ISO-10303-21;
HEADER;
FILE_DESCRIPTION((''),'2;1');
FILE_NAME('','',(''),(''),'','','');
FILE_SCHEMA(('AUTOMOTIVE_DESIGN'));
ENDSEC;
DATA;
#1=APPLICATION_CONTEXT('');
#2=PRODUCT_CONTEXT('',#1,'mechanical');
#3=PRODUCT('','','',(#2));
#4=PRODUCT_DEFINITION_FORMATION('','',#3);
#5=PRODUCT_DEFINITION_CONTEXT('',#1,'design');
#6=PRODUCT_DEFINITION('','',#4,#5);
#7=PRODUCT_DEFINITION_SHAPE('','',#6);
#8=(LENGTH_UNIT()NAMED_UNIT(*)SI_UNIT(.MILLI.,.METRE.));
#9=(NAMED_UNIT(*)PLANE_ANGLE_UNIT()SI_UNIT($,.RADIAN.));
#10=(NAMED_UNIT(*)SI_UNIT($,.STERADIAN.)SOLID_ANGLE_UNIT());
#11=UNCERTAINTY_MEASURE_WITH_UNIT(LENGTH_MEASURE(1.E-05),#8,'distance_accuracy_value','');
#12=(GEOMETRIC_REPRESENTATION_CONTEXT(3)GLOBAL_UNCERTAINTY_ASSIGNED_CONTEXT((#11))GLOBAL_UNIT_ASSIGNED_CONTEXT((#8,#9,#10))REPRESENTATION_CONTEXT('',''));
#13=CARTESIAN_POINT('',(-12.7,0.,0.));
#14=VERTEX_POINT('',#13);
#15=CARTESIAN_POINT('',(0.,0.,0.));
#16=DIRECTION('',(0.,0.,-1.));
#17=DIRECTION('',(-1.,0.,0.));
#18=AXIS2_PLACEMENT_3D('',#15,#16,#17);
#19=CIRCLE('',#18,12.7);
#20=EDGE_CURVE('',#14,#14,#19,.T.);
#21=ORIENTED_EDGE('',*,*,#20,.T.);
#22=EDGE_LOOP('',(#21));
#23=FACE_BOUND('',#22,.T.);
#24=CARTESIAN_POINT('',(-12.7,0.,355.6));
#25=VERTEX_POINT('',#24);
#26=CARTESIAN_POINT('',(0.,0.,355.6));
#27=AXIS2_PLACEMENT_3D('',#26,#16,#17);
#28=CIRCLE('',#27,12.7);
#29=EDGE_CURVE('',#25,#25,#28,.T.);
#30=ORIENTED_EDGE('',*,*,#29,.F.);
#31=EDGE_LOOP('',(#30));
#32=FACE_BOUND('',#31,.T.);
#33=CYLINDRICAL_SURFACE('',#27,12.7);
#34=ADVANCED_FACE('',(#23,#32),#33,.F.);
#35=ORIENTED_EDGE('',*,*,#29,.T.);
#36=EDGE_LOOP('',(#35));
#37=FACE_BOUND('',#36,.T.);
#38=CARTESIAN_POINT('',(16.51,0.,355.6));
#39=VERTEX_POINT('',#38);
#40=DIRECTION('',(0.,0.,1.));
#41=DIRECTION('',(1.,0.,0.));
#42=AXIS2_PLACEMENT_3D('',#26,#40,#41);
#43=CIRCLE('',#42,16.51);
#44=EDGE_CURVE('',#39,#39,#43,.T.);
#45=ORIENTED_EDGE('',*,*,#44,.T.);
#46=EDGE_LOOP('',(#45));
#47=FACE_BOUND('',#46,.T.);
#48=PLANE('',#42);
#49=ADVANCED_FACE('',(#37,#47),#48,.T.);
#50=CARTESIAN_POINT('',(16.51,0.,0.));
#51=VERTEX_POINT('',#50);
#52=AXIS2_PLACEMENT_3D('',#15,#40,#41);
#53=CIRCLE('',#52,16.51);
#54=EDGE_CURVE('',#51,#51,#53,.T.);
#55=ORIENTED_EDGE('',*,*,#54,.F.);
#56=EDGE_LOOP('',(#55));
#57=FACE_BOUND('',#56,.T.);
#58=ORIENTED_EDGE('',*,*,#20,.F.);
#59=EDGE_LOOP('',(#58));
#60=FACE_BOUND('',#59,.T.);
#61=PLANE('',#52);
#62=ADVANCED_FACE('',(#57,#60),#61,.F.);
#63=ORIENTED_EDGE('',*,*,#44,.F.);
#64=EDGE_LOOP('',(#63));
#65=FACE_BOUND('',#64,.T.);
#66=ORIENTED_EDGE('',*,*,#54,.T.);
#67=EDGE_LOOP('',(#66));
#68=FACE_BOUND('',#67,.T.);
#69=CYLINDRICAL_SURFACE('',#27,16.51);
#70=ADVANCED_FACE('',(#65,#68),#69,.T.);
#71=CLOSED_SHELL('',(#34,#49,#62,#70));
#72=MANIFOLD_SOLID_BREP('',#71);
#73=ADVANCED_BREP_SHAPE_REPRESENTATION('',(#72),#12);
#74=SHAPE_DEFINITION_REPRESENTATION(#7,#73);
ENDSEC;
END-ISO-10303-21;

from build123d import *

# Parameters (mm, degrees)
SKETCH1_R           = 16.51
BOSS_EXTRUDE1_DEPTH = 355.6
SKETCH2_R           = 12.7
CUT_EXTRUDE1_DEPTH  = 355.6


with BuildPart() as part:
    # Sketch1 → Boss-Extrude1 (new body)
    with BuildSketch(Plane.XY):
        Circle(SKETCH1_R)
    extrude(amount=BOSS_EXTRUDE1_DEPTH)

    # Sketch2 → Cut-Extrude1 (cut)
    with BuildSketch(Plane(origin=(0, 0, 0), x_dir=(-1, 0, 0), z_dir=(0, 0, -1))):
        Circle(SKETCH2_R)
    extrude(amount=-CUT_EXTRUDE1_DEPTH, mode=Mode.SUBTRACT)


solid = part.part
